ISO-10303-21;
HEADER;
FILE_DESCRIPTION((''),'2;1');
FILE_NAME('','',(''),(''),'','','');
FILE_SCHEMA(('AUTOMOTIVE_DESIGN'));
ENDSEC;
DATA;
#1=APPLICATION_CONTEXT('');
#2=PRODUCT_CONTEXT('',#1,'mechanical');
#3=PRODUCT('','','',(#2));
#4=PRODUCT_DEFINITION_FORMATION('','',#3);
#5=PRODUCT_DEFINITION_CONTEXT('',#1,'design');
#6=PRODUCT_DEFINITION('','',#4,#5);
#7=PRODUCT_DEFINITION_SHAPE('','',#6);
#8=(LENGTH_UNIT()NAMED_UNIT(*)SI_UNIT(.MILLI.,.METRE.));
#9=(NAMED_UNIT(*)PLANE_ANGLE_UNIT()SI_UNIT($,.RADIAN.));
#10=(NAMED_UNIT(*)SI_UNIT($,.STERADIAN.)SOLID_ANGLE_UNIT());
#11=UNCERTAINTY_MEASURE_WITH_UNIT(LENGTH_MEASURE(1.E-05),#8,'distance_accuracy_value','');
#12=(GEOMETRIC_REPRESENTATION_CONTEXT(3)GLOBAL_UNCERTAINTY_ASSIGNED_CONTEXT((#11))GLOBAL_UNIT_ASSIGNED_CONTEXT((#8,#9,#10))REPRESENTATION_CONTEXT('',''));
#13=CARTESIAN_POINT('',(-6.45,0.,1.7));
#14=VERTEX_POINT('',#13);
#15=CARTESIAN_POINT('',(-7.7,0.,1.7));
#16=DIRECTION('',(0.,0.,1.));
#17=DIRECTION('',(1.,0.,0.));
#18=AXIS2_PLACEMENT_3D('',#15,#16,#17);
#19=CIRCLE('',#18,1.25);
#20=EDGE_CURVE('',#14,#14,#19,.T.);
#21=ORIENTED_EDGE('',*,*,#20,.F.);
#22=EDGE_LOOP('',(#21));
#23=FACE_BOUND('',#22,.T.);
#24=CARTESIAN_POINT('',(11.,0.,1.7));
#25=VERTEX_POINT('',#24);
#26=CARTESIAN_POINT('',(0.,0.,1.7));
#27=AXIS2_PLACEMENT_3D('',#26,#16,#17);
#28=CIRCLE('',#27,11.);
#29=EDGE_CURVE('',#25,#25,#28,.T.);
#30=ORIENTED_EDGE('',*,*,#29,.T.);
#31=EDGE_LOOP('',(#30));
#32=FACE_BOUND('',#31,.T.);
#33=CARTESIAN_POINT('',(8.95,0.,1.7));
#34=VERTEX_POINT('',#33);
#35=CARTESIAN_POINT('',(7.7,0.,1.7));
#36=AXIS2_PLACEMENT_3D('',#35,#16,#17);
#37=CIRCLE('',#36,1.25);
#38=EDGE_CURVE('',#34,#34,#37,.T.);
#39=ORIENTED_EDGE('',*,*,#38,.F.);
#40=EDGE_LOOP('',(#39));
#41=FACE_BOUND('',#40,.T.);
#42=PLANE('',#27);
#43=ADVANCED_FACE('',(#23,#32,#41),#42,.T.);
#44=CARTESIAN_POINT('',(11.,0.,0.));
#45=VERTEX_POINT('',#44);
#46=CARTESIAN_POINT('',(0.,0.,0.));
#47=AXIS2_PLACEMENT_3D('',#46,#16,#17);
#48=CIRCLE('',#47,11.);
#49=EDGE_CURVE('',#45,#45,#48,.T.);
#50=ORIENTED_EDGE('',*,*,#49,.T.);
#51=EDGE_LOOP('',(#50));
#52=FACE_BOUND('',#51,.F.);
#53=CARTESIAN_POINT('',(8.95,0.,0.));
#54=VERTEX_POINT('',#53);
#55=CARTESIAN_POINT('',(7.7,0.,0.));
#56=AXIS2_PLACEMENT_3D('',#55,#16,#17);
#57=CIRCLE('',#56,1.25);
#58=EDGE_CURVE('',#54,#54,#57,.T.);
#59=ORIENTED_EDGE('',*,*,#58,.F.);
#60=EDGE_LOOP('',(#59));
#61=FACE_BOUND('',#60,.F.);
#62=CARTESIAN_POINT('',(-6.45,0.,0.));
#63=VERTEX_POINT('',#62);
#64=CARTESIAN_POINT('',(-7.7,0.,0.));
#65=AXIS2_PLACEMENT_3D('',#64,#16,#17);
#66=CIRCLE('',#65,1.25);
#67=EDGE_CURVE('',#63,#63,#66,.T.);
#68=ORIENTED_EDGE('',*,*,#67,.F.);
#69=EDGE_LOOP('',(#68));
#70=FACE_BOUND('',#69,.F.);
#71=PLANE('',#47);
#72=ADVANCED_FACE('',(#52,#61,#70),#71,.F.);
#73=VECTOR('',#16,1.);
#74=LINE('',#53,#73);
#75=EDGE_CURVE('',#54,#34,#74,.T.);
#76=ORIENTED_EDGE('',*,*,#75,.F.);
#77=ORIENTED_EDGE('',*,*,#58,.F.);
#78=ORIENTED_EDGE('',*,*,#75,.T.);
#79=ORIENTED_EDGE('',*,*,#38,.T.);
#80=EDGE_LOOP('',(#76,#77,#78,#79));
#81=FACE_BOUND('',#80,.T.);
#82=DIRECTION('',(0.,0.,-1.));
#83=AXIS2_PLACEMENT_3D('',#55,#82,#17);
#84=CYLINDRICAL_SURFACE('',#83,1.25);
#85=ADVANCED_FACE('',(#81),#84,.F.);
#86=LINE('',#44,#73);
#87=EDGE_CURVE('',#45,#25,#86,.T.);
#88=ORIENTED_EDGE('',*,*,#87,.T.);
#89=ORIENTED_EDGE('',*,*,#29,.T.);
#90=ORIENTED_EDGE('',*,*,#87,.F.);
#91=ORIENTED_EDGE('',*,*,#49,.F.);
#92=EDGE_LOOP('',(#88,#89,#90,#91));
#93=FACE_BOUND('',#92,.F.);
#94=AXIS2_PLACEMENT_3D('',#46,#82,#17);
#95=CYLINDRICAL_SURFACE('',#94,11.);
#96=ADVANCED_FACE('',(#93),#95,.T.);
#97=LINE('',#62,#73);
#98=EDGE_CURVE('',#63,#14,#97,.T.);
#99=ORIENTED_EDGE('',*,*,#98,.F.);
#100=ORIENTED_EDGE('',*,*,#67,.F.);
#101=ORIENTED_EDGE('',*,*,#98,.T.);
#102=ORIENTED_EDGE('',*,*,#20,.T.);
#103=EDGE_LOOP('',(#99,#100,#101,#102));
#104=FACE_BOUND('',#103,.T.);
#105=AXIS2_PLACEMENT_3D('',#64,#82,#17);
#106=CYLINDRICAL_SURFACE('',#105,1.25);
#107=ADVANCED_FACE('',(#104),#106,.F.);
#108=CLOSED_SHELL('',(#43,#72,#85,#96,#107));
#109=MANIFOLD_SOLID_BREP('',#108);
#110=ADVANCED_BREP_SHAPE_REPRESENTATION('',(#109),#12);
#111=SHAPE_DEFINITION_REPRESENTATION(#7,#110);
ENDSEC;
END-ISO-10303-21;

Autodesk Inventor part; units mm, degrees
ref_plane "YZ Plane" through (0, 0, 0) normal (1, 0, 0) x (0, 1, 0)
ref_plane "XZ Plane" through (0, 0, 0) normal (0, 1, 0) x (-1, 0, 0)
ref_plane "XY Plane" through (0, 0, 0) normal (0, 0, 1) x (1, 0, 0)
sketch "Sketch1" plane through (0, 0, 0) normal (0, 0, 1) x (1, 0, 0)
  circle A0 centre (0, 0) radius 11
  line L0 (-7.7, 0) -> (7.7, 0) construction
  circle A1 centre (-7.7, 0) radius 1.25
  circle A2 centre (7.7, 0) radius 1.25
  dimension "d0" = 22
  dimension "d1" = 15.4
  dimension "d2" = 2.5
  dimension "d3" = 2.5
extrude "Extrusion1" add sketch "Sketch1" along normal blind 1.7
equation "\"d0\" = cs_diam"
equation "\"d1\" = cs_holeSpacing"
equation "\"d2\" = cs_holeDiam"
equation "\"d3\" = cs_holeDiam"
equation "\"d4\" = cs_depth"
equation "\"cs_diam\" = 22"
equation "\"cs_holeSpacing\" = 15.4"
equation "\"cs_holeDiam\" = 2.5"
equation "\"cs_depth\" = 1.7"
properties part number "Caster Spacer 1,7mm" material "PMMA Plastic"
